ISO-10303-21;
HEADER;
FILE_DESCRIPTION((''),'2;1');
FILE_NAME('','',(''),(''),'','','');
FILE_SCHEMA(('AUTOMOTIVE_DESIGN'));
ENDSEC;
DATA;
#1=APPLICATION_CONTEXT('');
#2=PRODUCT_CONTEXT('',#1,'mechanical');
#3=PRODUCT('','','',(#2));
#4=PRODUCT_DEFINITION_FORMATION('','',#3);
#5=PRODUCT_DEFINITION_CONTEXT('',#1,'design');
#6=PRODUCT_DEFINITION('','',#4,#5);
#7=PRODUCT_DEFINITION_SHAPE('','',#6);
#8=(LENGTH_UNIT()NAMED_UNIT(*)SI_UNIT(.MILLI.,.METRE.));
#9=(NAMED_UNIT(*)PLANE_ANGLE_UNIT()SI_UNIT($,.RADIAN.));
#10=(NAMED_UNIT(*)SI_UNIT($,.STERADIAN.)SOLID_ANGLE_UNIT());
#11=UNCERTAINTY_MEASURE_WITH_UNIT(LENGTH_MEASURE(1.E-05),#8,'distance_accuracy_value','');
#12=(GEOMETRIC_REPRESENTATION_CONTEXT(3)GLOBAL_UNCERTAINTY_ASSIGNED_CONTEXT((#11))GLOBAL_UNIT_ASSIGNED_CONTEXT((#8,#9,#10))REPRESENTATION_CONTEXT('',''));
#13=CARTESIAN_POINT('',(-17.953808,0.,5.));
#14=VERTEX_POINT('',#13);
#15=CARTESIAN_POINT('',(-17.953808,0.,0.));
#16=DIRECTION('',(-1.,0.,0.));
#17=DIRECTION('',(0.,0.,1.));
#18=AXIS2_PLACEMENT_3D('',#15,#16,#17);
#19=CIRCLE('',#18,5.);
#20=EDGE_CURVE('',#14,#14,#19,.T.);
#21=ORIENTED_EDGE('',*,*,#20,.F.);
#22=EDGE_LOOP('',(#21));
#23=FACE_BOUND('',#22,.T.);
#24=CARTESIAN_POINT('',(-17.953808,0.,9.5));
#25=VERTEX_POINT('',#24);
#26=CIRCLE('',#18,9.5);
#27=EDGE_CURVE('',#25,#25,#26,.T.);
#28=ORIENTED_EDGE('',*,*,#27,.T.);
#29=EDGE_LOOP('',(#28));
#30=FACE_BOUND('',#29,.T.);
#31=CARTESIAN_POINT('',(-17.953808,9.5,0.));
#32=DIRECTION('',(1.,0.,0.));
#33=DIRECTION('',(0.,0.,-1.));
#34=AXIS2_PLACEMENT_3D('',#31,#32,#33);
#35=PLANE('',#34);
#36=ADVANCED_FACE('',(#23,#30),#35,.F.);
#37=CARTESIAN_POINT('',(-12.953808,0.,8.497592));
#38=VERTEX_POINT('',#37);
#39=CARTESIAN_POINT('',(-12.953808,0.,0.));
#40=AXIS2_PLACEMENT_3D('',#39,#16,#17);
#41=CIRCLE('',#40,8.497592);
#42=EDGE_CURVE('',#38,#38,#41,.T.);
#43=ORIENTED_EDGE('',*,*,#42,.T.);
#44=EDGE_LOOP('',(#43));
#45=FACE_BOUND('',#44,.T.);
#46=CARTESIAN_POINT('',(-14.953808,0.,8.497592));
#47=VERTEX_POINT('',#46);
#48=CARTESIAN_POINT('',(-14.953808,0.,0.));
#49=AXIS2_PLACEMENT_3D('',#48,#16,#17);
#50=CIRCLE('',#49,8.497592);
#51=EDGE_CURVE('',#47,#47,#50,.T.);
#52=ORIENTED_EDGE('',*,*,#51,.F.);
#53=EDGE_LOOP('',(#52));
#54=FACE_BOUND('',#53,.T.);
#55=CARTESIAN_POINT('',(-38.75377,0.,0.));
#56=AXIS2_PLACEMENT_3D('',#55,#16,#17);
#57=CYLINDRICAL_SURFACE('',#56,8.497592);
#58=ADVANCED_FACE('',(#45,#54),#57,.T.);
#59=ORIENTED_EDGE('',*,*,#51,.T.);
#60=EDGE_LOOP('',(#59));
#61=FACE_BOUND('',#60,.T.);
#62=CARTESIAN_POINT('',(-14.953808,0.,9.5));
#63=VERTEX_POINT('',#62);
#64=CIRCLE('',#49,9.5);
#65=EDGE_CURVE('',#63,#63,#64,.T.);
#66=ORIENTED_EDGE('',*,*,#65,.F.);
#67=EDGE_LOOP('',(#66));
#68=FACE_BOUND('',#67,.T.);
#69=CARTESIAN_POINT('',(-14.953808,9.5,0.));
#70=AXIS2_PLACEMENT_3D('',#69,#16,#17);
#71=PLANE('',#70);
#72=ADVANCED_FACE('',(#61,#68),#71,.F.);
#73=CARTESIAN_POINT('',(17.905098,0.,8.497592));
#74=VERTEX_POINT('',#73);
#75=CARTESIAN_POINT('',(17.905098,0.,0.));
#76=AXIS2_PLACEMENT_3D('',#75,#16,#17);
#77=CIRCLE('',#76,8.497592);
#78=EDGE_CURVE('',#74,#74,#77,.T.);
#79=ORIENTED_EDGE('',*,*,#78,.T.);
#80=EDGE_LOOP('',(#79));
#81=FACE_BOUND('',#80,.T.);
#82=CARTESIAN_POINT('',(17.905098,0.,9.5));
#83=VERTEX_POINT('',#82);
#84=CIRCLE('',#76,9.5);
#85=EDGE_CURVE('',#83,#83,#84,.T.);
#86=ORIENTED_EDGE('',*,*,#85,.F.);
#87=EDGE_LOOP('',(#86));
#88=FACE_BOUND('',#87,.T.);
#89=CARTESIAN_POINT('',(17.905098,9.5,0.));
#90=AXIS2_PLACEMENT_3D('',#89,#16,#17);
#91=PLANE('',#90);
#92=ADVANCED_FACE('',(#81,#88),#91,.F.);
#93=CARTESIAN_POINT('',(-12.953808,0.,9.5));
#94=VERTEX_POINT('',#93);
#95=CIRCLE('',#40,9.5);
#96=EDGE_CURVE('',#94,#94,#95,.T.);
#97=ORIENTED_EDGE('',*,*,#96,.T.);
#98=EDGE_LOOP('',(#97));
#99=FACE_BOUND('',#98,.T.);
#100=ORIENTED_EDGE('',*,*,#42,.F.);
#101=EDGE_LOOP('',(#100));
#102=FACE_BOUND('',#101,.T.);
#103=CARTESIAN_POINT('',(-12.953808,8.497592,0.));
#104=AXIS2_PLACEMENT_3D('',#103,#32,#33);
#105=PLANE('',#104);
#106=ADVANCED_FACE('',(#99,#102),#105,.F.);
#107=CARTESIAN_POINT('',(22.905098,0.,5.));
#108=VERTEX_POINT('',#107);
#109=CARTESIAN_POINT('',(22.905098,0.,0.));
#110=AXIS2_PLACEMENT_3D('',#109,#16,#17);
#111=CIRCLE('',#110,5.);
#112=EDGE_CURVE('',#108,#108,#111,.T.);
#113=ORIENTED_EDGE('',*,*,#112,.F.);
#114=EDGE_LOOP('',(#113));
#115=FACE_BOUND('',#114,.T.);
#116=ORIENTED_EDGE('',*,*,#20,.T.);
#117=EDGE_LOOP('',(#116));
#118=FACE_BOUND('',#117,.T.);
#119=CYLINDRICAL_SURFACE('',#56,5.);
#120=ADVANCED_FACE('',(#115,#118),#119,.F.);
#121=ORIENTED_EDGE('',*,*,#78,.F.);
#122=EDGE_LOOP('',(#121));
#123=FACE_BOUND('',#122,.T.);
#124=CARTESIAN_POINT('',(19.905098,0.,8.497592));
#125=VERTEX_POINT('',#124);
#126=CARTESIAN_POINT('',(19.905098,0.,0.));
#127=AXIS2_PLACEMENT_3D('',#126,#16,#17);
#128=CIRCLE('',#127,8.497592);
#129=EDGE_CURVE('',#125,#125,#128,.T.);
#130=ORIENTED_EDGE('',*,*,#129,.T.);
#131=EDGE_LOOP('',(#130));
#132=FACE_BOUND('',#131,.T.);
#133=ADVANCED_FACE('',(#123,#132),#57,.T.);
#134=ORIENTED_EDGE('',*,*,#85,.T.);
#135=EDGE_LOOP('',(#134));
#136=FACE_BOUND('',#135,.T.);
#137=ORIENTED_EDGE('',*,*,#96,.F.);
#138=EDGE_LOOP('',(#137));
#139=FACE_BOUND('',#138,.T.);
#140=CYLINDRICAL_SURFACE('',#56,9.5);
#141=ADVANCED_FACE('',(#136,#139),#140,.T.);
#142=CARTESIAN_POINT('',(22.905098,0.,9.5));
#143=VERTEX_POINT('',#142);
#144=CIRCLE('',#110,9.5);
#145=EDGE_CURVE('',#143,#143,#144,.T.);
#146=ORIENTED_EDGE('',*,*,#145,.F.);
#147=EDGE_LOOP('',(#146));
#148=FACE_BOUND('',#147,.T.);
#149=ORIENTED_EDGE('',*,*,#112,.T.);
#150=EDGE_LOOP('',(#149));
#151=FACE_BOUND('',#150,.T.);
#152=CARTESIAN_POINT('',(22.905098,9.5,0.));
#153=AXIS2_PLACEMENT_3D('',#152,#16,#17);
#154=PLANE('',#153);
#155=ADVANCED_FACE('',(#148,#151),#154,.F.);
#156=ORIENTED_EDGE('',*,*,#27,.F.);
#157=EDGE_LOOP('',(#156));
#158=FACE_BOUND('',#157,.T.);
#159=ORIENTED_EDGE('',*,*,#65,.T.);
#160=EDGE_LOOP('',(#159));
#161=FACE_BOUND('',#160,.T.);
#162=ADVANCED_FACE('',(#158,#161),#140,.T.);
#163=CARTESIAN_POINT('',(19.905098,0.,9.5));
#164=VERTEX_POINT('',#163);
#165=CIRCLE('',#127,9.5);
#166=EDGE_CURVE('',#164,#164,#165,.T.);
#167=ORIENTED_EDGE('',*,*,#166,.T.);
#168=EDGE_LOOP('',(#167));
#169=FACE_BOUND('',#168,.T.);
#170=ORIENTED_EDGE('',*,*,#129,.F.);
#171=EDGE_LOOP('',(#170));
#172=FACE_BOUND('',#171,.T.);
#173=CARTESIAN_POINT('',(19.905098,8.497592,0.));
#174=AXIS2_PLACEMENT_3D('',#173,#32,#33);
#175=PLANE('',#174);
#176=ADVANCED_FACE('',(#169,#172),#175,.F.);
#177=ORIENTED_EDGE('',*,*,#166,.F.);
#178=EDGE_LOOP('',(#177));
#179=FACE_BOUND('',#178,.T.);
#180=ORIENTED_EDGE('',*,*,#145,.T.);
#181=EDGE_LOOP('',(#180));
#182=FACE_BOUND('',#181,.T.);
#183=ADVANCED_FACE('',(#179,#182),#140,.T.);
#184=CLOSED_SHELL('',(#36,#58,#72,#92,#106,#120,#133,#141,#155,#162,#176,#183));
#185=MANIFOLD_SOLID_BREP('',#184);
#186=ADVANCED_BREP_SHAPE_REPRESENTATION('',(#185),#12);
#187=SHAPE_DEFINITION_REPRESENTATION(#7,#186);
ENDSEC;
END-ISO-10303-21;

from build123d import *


with BuildPart() as part:
    # Sketch1 → Revolve1 (revolve)
    with BuildSketch(Plane.XY):
        Polygon((-17.953807762, 9.5), (-14.953807762, 9.5), (-14.953807762, 8.497591784), (-12.953807762, 8.497591784), (-12.953807762, 9.5), (17.90509788, 9.5), (17.90509788, 8.497591784), (19.90509788, 8.497591784), (19.90509788, 9.5), (22.90509788, 9.5), (22.90509788, 5), (-17.953807762, 5), align=None)
    revolve(axis=Axis((-38.753770095, 0, 0), (1, 0, 0)))


solid = part.part
